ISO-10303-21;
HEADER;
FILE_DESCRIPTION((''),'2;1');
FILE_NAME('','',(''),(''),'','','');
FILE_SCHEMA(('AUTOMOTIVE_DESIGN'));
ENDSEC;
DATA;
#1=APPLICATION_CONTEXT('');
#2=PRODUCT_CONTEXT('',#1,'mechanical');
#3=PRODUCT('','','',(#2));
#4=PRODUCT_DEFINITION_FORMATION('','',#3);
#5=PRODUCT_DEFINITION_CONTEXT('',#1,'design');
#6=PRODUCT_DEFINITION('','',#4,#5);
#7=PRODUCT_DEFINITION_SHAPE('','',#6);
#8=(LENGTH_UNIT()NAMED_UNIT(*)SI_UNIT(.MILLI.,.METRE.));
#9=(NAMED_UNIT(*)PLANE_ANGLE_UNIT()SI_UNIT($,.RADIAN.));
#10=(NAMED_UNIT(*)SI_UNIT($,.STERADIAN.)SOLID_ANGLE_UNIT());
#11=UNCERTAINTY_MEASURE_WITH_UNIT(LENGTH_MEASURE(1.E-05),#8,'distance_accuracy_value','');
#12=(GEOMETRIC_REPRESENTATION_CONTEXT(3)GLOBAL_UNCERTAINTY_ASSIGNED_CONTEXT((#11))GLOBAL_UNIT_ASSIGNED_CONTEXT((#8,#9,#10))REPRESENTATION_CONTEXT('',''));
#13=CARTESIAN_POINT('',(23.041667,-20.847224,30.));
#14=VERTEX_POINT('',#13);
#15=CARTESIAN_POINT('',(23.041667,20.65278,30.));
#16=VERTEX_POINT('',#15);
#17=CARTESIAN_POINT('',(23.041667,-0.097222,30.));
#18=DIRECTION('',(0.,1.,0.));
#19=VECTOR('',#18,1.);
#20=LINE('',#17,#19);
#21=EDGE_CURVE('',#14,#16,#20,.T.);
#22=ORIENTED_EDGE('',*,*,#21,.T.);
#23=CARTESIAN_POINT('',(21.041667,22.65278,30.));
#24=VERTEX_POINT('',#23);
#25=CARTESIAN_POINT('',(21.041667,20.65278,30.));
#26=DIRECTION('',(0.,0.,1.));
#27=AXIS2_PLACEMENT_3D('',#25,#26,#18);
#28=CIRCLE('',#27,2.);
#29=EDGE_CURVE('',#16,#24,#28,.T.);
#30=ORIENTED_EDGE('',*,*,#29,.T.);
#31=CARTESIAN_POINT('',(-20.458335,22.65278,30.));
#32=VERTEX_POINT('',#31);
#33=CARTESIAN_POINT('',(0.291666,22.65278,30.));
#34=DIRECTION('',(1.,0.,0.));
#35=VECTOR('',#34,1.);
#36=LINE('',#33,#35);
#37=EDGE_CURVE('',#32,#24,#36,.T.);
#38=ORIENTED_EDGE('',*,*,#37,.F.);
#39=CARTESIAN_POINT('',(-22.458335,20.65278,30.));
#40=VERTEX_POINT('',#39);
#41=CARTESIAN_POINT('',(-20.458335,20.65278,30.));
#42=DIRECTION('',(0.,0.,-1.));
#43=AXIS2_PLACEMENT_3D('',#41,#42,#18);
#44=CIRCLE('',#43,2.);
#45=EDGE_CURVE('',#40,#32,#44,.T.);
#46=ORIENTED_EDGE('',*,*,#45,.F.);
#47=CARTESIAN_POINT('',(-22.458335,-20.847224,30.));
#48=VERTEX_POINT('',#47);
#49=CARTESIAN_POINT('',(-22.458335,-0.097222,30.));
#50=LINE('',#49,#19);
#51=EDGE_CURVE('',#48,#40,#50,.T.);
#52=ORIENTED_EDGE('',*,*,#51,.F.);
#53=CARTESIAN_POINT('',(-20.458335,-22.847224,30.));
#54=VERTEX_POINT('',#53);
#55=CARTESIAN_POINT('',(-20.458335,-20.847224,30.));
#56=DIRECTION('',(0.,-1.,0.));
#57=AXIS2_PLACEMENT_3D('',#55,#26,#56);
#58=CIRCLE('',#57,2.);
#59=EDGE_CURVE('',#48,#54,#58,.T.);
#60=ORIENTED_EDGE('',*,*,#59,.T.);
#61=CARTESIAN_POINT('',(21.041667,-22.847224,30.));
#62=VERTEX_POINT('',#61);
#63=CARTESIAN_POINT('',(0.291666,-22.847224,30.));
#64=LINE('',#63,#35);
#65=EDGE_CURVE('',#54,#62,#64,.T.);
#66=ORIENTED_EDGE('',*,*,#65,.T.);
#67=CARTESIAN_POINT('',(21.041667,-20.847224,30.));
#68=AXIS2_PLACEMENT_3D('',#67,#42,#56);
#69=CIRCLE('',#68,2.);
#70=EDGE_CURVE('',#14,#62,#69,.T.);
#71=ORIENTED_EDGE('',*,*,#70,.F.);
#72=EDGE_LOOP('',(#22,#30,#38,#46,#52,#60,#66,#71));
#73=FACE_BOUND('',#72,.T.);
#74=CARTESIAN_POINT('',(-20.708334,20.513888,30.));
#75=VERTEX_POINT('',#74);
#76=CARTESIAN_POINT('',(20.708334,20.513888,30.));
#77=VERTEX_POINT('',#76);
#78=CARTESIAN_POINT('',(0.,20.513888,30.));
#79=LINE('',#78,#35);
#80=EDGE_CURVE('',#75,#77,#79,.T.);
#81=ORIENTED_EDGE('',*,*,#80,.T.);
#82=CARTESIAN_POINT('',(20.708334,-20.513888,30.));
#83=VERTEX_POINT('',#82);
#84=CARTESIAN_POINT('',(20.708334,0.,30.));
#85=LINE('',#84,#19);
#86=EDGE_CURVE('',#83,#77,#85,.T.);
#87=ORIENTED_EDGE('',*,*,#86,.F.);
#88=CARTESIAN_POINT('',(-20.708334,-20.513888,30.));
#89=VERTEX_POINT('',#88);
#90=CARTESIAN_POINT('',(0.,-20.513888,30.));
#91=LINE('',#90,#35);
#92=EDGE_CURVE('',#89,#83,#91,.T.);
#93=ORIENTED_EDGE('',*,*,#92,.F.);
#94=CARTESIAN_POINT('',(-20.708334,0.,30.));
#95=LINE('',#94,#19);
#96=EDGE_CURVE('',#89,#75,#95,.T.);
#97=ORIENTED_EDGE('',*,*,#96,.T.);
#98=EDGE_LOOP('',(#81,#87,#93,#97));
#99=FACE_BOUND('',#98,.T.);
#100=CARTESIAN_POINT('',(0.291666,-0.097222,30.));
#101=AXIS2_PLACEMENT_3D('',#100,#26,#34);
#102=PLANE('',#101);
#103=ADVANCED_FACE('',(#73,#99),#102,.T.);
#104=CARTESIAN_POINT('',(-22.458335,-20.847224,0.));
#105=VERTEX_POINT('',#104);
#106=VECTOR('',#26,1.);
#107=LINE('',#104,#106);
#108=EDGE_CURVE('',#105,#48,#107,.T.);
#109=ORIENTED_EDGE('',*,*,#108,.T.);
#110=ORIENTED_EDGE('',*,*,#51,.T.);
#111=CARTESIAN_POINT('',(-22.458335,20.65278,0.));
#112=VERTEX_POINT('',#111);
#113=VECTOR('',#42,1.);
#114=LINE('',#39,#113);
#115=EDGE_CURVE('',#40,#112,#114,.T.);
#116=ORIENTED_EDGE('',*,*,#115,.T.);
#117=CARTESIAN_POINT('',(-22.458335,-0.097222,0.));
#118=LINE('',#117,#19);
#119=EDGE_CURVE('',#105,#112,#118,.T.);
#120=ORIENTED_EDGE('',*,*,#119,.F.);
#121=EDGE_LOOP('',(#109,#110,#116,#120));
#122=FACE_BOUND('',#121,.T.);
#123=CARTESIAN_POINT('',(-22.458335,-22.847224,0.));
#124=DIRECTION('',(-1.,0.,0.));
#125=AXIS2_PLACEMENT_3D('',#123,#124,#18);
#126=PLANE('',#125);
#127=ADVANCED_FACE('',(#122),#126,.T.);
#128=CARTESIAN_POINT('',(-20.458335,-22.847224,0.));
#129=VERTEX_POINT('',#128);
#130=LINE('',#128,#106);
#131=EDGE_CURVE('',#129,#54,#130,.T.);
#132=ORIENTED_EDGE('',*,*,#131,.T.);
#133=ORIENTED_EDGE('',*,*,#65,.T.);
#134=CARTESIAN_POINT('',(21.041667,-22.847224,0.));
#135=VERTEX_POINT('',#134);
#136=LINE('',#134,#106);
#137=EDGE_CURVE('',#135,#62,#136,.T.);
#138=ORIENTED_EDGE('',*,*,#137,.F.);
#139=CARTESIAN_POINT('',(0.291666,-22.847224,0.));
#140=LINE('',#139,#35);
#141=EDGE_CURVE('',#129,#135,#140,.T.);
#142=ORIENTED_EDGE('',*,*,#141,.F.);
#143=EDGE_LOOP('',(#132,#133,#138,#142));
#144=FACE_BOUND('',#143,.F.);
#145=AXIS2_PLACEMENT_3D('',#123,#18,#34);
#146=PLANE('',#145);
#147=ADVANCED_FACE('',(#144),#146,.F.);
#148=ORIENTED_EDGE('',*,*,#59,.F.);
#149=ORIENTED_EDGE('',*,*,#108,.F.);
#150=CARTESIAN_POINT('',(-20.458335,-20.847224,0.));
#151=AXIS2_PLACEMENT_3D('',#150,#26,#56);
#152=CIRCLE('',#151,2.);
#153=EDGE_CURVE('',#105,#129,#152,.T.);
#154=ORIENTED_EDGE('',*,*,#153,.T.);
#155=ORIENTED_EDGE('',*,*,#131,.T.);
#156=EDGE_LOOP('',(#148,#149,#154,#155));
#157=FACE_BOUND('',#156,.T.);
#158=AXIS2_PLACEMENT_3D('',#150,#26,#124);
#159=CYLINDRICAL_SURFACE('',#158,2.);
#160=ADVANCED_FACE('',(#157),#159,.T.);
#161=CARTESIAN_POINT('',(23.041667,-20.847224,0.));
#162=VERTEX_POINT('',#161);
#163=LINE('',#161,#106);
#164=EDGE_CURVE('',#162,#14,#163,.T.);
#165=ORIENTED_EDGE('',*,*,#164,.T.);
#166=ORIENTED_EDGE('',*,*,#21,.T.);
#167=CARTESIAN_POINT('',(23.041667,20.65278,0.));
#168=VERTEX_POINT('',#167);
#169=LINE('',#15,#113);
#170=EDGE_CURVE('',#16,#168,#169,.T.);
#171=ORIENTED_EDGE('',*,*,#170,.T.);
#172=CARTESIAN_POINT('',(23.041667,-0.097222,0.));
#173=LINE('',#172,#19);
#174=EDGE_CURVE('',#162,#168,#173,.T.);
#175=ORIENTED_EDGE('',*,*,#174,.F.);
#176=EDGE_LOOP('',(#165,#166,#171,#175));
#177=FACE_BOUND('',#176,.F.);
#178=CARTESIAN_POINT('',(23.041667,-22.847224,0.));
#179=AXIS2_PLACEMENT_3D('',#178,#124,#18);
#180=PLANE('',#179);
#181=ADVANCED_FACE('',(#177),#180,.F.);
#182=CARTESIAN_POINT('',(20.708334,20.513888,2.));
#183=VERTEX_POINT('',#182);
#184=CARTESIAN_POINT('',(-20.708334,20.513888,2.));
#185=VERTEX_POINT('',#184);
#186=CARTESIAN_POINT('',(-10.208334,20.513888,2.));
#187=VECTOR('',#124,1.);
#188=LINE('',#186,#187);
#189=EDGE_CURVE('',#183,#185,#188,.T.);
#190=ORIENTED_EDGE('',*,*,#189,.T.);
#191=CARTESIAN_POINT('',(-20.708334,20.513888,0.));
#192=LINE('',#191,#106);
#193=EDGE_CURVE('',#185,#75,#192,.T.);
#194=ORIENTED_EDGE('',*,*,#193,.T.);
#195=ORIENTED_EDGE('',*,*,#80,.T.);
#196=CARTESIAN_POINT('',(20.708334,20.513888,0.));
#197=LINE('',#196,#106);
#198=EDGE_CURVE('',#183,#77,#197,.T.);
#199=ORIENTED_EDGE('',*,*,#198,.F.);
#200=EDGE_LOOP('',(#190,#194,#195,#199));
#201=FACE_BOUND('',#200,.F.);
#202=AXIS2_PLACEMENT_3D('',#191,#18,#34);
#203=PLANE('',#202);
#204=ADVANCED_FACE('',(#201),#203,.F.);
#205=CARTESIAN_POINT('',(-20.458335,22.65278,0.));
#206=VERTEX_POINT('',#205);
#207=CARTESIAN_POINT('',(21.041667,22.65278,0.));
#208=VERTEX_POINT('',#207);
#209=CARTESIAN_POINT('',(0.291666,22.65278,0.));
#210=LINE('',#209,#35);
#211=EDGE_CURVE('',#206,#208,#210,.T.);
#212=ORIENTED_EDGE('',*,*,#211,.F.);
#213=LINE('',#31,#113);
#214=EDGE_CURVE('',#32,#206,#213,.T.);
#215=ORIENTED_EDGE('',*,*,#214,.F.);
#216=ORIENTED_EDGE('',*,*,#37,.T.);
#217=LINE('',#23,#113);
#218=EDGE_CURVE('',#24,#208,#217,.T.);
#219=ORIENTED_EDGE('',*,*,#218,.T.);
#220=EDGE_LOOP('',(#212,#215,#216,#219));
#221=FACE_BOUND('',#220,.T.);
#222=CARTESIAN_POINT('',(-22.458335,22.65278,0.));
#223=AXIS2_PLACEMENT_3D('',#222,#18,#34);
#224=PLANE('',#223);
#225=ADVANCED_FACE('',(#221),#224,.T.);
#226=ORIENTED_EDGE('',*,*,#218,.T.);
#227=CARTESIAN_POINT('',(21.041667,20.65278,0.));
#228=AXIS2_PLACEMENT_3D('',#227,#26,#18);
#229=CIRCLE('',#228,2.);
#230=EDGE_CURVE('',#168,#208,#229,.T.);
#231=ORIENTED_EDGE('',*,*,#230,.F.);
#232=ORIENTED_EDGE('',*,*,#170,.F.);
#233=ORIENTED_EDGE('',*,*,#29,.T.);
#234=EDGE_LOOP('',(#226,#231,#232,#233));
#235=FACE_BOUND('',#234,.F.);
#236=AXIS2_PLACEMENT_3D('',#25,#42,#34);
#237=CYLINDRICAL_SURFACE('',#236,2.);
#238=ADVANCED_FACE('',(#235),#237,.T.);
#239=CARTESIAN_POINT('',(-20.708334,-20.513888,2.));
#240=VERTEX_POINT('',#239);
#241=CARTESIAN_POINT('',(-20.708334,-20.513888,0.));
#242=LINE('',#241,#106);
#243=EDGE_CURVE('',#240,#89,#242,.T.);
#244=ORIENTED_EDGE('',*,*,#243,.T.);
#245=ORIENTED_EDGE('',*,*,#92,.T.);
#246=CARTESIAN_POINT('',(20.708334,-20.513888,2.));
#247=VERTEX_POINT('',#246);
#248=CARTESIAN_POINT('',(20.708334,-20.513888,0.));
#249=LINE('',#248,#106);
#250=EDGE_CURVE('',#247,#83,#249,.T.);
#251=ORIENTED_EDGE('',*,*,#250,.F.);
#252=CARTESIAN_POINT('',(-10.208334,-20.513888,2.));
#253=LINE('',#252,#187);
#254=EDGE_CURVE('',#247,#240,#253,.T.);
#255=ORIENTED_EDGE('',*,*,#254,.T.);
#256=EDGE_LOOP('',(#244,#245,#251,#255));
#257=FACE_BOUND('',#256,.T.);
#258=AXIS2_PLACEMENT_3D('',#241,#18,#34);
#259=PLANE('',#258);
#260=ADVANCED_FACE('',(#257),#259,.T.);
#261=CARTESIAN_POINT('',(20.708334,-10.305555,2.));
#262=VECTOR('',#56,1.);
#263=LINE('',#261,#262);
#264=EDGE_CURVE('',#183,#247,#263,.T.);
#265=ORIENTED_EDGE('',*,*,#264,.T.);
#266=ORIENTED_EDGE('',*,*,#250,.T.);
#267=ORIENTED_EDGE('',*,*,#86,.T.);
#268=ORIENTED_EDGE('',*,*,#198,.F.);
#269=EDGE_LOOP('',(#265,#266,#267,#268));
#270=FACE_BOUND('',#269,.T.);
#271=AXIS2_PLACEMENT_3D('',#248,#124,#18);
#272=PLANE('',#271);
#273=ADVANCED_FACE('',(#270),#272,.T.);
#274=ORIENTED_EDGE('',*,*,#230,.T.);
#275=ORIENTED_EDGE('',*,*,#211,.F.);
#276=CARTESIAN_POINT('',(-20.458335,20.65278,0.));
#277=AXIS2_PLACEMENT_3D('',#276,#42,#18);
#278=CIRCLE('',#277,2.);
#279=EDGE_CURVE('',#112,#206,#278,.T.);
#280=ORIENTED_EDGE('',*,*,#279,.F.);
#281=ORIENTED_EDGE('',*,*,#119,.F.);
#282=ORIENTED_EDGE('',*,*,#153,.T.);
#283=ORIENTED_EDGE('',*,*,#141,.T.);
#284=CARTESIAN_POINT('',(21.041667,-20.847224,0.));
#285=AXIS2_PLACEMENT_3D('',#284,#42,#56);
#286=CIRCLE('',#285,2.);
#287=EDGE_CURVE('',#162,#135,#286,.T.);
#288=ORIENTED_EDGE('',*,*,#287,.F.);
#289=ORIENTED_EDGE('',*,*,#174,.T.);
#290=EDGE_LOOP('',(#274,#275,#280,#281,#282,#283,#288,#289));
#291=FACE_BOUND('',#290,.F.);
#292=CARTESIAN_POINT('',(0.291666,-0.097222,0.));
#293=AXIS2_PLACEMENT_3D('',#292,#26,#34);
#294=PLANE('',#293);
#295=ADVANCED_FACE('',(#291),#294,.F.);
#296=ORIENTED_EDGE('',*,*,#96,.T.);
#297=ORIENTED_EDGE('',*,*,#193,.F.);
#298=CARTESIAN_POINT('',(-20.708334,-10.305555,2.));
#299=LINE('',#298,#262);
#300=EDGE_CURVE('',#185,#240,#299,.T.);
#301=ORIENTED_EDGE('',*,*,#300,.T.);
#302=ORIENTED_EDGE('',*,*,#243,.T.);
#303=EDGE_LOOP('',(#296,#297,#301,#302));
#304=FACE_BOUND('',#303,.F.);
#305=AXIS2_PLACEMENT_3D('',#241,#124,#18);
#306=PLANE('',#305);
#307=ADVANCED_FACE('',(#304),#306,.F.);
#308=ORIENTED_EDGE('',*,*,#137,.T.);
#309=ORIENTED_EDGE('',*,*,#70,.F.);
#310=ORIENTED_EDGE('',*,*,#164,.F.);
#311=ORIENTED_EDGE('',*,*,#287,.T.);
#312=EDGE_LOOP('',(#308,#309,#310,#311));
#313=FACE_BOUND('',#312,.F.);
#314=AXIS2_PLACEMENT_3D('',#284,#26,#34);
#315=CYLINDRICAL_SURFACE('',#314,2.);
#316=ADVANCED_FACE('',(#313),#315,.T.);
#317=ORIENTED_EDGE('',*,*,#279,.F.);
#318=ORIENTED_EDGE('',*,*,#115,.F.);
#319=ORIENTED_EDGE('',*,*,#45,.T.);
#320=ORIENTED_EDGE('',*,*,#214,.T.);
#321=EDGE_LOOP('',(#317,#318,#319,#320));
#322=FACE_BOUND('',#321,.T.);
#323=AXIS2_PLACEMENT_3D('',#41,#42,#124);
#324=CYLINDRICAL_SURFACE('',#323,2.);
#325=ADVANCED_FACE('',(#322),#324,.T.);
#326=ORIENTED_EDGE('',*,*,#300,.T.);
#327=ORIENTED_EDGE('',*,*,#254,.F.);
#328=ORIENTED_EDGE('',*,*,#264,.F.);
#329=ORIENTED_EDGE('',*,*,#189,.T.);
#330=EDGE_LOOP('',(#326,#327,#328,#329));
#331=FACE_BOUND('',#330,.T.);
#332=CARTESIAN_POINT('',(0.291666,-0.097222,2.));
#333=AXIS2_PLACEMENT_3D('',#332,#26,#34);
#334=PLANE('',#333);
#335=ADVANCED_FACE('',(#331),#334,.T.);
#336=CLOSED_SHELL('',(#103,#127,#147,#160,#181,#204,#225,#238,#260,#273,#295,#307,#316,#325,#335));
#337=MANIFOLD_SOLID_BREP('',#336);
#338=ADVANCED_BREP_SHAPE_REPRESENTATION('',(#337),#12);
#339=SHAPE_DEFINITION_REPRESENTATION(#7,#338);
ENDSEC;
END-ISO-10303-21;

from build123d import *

# Parameters (mm, degrees)
F0_W     = 45.500002
F0_H     = 45.500004
F0_W_2   = 41.416668
F0_H_2   = 41.027776
F1_DEPTH = 2
F2_DEPTH = 30
F3_R     = 2


with BuildPart() as f1:
    # F0 (on Top) → F1 (new body)
    with BuildSketch(Plane.XY):
        with Locations((0.291666, -0.097222)):
            Rectangle(F0_W, F0_H)
        Rectangle(F0_W_2, F0_H_2, mode=Mode.SUBTRACT)
        Rectangle(F0_W_2, F0_H_2)
    extrude(amount=F1_DEPTH)

    # F0 (on Top) → F2 (join)
    with BuildSketch(Plane.XY):
        with Locations((0.291666, -0.097222)):
            Rectangle(F0_W, F0_H)
        Rectangle(F0_W_2, F0_H_2, mode=Mode.SUBTRACT)
    extrude(amount=F2_DEPTH)

    # F3
    f3_edges = [f1.edges().sort_by_distance(p)[0] for p in [
        (-22.458335, -22.847224, 15),
        (23.041667, -22.847224, 15),
        (23.041667, 22.65278, 15),
        (-22.458335, 22.65278, 15),
    ]]
    fillet(f3_edges, radius=F3_R)


solid = f1.part
